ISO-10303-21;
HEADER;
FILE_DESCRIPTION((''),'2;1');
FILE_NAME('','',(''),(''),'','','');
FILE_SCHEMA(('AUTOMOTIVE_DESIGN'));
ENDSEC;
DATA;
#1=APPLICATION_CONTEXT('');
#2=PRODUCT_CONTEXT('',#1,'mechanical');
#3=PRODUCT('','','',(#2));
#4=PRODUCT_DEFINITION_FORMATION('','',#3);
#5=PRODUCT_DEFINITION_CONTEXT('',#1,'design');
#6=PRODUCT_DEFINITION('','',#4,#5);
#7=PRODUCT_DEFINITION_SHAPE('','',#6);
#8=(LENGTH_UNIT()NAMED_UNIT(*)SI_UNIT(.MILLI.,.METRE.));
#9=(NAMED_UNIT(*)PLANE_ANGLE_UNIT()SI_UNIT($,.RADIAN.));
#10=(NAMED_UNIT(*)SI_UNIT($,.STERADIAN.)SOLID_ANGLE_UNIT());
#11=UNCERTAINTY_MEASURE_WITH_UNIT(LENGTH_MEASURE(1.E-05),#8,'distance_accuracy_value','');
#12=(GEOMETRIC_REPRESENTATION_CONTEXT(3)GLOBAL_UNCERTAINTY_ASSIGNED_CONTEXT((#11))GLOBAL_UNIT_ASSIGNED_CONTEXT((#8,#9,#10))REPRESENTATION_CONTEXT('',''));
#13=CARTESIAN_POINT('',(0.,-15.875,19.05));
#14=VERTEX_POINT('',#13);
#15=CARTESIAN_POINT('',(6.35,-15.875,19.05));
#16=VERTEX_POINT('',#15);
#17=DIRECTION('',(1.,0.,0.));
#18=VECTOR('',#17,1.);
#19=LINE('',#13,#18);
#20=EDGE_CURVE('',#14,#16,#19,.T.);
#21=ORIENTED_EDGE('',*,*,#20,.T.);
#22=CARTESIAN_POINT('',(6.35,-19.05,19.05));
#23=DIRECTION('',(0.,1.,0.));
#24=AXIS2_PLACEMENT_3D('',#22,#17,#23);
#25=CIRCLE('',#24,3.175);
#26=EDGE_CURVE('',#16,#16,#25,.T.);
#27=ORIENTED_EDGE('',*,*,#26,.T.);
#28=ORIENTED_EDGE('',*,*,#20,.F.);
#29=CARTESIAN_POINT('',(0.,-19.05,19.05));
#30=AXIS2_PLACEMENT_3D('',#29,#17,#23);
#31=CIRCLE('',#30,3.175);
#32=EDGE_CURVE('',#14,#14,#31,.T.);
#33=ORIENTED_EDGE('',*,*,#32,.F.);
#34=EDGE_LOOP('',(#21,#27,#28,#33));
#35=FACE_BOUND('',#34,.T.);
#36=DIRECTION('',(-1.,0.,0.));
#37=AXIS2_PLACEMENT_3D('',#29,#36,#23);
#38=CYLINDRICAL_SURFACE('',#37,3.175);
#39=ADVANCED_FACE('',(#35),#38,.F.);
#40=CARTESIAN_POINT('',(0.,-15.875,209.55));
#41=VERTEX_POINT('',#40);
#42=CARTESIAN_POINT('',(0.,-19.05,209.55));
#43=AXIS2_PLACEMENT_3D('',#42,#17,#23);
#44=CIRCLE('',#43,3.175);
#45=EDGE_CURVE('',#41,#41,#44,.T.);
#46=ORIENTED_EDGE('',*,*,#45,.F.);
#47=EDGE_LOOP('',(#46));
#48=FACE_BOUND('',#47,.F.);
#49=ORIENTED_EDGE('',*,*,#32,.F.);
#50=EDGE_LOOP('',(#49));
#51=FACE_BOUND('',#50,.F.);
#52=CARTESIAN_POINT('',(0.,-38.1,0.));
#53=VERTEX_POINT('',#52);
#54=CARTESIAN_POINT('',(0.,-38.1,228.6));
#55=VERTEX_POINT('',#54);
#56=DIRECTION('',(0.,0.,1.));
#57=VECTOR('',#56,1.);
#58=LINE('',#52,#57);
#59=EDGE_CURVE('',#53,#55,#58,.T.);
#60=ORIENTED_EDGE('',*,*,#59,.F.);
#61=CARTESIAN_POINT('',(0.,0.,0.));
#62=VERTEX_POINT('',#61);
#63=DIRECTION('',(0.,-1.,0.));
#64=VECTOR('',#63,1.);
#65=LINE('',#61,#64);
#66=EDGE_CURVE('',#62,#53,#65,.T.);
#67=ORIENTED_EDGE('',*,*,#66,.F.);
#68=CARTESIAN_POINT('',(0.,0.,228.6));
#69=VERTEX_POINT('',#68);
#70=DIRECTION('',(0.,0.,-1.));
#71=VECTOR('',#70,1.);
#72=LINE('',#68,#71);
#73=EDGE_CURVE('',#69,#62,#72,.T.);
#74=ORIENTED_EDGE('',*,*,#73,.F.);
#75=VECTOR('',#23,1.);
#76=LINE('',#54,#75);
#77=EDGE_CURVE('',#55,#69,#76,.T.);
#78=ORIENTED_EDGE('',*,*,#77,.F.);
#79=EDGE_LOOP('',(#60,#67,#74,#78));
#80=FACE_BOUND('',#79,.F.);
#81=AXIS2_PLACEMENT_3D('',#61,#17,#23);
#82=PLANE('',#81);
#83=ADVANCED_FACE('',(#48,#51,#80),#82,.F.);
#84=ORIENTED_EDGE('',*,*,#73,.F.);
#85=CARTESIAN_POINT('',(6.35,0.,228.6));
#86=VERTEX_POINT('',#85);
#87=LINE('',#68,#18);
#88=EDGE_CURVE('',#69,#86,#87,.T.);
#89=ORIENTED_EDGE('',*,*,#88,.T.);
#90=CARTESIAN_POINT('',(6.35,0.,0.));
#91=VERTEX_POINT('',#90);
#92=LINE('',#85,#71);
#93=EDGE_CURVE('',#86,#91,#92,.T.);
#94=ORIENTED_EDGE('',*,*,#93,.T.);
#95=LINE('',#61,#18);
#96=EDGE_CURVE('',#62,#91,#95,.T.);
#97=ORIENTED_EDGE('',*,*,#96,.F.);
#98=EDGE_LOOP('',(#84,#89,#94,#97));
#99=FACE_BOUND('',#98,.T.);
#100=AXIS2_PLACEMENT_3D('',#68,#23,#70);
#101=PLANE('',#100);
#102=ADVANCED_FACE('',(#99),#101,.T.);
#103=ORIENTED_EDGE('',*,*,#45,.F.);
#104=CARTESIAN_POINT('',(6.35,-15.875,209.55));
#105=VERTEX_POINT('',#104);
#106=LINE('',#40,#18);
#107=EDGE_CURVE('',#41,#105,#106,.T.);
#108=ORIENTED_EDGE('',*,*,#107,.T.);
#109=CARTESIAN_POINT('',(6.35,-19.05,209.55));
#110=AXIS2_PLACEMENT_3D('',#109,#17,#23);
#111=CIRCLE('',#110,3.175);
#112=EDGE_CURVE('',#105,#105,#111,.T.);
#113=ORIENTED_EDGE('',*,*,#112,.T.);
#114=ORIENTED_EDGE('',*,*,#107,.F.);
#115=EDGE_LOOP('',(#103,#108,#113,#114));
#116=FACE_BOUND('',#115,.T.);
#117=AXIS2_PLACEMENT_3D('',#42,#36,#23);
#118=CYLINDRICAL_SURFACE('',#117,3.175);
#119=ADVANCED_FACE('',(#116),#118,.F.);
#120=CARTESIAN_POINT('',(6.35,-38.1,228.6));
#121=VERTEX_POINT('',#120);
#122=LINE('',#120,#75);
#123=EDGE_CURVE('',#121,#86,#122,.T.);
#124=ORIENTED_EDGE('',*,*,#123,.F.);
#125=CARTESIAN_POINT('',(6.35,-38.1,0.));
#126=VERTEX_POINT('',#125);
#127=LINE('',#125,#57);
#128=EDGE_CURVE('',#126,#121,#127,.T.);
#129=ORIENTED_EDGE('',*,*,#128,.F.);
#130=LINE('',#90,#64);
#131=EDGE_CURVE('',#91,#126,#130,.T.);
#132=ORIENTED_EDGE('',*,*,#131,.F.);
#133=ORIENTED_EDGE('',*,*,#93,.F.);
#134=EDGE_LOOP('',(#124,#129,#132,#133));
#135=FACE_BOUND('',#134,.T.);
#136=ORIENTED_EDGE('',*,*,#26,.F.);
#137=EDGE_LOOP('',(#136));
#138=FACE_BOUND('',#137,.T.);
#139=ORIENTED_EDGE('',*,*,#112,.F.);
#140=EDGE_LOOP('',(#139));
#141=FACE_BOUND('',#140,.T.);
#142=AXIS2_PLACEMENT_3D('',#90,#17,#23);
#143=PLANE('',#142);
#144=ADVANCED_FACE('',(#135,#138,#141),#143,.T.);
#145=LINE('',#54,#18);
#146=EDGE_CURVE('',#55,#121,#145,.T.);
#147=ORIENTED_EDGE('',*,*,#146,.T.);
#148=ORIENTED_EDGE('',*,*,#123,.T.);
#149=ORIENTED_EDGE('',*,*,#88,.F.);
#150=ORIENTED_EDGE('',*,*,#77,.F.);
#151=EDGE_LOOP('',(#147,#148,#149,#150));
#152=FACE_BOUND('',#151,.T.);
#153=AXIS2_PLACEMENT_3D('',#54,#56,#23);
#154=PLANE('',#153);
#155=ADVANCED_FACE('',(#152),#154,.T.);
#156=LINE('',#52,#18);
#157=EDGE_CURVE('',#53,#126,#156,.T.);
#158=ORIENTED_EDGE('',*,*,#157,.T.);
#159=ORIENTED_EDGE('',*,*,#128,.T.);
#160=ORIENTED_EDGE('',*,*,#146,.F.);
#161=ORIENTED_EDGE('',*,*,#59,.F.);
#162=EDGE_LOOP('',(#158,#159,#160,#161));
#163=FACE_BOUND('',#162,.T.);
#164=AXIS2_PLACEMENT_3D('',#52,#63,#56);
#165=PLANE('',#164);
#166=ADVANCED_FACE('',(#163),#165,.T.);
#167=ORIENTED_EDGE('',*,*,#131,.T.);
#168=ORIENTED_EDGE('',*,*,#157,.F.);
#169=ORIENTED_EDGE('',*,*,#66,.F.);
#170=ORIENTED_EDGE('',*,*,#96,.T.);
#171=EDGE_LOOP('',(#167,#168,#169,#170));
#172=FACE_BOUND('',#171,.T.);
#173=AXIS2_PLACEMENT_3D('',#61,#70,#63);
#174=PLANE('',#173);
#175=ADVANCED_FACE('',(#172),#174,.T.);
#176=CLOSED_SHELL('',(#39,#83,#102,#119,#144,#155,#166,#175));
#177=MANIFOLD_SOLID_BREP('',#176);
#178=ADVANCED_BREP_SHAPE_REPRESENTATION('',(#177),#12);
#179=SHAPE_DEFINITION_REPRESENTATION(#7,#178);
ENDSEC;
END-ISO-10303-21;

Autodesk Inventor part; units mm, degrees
ref_plane "YZ Plane" through (0, 0, 0) normal (1, 0, 0) x (0, 1, 0)
ref_plane "XZ Plane" through (0, 0, 0) normal (0, 1, 0) x (-1, 0, 0)
ref_plane "XY Plane" through (0, 0, 0) normal (0, 0, 1) x (1, 0, 0)
sketch "Sketch1" plane through (0, 0, 0) normal (1, 0, 0) x (0, 1, 0)
  line L0 (0, 0) -> (-38.1, 0)
  line L1 (-38.1, 0) -> (-38.1, 228.6)
  line L2 (-38.1, 228.6) -> (0, 228.6)
  line L3 (0, 228.6) -> (0, 0)
  circle A0 centre (-19.05, 209.55) radius 3.175
  circle A1 centre (-19.05, 19.05) radius 3.175
  dimension "d0" = 38.1
  dimension "d1" = 228.6
  dimension "d2" = 19.05
  dimension "d3" = 19.05
  dimension "d4" = 19.05
  dimension "d5" = 19.05
  dimension "d6" = 6.35
  dimension "d7" = 6.35
extrude "Extrusion1" add sketch "Sketch1" along normal blind 6.35
properties part number "rail supporter plate"
